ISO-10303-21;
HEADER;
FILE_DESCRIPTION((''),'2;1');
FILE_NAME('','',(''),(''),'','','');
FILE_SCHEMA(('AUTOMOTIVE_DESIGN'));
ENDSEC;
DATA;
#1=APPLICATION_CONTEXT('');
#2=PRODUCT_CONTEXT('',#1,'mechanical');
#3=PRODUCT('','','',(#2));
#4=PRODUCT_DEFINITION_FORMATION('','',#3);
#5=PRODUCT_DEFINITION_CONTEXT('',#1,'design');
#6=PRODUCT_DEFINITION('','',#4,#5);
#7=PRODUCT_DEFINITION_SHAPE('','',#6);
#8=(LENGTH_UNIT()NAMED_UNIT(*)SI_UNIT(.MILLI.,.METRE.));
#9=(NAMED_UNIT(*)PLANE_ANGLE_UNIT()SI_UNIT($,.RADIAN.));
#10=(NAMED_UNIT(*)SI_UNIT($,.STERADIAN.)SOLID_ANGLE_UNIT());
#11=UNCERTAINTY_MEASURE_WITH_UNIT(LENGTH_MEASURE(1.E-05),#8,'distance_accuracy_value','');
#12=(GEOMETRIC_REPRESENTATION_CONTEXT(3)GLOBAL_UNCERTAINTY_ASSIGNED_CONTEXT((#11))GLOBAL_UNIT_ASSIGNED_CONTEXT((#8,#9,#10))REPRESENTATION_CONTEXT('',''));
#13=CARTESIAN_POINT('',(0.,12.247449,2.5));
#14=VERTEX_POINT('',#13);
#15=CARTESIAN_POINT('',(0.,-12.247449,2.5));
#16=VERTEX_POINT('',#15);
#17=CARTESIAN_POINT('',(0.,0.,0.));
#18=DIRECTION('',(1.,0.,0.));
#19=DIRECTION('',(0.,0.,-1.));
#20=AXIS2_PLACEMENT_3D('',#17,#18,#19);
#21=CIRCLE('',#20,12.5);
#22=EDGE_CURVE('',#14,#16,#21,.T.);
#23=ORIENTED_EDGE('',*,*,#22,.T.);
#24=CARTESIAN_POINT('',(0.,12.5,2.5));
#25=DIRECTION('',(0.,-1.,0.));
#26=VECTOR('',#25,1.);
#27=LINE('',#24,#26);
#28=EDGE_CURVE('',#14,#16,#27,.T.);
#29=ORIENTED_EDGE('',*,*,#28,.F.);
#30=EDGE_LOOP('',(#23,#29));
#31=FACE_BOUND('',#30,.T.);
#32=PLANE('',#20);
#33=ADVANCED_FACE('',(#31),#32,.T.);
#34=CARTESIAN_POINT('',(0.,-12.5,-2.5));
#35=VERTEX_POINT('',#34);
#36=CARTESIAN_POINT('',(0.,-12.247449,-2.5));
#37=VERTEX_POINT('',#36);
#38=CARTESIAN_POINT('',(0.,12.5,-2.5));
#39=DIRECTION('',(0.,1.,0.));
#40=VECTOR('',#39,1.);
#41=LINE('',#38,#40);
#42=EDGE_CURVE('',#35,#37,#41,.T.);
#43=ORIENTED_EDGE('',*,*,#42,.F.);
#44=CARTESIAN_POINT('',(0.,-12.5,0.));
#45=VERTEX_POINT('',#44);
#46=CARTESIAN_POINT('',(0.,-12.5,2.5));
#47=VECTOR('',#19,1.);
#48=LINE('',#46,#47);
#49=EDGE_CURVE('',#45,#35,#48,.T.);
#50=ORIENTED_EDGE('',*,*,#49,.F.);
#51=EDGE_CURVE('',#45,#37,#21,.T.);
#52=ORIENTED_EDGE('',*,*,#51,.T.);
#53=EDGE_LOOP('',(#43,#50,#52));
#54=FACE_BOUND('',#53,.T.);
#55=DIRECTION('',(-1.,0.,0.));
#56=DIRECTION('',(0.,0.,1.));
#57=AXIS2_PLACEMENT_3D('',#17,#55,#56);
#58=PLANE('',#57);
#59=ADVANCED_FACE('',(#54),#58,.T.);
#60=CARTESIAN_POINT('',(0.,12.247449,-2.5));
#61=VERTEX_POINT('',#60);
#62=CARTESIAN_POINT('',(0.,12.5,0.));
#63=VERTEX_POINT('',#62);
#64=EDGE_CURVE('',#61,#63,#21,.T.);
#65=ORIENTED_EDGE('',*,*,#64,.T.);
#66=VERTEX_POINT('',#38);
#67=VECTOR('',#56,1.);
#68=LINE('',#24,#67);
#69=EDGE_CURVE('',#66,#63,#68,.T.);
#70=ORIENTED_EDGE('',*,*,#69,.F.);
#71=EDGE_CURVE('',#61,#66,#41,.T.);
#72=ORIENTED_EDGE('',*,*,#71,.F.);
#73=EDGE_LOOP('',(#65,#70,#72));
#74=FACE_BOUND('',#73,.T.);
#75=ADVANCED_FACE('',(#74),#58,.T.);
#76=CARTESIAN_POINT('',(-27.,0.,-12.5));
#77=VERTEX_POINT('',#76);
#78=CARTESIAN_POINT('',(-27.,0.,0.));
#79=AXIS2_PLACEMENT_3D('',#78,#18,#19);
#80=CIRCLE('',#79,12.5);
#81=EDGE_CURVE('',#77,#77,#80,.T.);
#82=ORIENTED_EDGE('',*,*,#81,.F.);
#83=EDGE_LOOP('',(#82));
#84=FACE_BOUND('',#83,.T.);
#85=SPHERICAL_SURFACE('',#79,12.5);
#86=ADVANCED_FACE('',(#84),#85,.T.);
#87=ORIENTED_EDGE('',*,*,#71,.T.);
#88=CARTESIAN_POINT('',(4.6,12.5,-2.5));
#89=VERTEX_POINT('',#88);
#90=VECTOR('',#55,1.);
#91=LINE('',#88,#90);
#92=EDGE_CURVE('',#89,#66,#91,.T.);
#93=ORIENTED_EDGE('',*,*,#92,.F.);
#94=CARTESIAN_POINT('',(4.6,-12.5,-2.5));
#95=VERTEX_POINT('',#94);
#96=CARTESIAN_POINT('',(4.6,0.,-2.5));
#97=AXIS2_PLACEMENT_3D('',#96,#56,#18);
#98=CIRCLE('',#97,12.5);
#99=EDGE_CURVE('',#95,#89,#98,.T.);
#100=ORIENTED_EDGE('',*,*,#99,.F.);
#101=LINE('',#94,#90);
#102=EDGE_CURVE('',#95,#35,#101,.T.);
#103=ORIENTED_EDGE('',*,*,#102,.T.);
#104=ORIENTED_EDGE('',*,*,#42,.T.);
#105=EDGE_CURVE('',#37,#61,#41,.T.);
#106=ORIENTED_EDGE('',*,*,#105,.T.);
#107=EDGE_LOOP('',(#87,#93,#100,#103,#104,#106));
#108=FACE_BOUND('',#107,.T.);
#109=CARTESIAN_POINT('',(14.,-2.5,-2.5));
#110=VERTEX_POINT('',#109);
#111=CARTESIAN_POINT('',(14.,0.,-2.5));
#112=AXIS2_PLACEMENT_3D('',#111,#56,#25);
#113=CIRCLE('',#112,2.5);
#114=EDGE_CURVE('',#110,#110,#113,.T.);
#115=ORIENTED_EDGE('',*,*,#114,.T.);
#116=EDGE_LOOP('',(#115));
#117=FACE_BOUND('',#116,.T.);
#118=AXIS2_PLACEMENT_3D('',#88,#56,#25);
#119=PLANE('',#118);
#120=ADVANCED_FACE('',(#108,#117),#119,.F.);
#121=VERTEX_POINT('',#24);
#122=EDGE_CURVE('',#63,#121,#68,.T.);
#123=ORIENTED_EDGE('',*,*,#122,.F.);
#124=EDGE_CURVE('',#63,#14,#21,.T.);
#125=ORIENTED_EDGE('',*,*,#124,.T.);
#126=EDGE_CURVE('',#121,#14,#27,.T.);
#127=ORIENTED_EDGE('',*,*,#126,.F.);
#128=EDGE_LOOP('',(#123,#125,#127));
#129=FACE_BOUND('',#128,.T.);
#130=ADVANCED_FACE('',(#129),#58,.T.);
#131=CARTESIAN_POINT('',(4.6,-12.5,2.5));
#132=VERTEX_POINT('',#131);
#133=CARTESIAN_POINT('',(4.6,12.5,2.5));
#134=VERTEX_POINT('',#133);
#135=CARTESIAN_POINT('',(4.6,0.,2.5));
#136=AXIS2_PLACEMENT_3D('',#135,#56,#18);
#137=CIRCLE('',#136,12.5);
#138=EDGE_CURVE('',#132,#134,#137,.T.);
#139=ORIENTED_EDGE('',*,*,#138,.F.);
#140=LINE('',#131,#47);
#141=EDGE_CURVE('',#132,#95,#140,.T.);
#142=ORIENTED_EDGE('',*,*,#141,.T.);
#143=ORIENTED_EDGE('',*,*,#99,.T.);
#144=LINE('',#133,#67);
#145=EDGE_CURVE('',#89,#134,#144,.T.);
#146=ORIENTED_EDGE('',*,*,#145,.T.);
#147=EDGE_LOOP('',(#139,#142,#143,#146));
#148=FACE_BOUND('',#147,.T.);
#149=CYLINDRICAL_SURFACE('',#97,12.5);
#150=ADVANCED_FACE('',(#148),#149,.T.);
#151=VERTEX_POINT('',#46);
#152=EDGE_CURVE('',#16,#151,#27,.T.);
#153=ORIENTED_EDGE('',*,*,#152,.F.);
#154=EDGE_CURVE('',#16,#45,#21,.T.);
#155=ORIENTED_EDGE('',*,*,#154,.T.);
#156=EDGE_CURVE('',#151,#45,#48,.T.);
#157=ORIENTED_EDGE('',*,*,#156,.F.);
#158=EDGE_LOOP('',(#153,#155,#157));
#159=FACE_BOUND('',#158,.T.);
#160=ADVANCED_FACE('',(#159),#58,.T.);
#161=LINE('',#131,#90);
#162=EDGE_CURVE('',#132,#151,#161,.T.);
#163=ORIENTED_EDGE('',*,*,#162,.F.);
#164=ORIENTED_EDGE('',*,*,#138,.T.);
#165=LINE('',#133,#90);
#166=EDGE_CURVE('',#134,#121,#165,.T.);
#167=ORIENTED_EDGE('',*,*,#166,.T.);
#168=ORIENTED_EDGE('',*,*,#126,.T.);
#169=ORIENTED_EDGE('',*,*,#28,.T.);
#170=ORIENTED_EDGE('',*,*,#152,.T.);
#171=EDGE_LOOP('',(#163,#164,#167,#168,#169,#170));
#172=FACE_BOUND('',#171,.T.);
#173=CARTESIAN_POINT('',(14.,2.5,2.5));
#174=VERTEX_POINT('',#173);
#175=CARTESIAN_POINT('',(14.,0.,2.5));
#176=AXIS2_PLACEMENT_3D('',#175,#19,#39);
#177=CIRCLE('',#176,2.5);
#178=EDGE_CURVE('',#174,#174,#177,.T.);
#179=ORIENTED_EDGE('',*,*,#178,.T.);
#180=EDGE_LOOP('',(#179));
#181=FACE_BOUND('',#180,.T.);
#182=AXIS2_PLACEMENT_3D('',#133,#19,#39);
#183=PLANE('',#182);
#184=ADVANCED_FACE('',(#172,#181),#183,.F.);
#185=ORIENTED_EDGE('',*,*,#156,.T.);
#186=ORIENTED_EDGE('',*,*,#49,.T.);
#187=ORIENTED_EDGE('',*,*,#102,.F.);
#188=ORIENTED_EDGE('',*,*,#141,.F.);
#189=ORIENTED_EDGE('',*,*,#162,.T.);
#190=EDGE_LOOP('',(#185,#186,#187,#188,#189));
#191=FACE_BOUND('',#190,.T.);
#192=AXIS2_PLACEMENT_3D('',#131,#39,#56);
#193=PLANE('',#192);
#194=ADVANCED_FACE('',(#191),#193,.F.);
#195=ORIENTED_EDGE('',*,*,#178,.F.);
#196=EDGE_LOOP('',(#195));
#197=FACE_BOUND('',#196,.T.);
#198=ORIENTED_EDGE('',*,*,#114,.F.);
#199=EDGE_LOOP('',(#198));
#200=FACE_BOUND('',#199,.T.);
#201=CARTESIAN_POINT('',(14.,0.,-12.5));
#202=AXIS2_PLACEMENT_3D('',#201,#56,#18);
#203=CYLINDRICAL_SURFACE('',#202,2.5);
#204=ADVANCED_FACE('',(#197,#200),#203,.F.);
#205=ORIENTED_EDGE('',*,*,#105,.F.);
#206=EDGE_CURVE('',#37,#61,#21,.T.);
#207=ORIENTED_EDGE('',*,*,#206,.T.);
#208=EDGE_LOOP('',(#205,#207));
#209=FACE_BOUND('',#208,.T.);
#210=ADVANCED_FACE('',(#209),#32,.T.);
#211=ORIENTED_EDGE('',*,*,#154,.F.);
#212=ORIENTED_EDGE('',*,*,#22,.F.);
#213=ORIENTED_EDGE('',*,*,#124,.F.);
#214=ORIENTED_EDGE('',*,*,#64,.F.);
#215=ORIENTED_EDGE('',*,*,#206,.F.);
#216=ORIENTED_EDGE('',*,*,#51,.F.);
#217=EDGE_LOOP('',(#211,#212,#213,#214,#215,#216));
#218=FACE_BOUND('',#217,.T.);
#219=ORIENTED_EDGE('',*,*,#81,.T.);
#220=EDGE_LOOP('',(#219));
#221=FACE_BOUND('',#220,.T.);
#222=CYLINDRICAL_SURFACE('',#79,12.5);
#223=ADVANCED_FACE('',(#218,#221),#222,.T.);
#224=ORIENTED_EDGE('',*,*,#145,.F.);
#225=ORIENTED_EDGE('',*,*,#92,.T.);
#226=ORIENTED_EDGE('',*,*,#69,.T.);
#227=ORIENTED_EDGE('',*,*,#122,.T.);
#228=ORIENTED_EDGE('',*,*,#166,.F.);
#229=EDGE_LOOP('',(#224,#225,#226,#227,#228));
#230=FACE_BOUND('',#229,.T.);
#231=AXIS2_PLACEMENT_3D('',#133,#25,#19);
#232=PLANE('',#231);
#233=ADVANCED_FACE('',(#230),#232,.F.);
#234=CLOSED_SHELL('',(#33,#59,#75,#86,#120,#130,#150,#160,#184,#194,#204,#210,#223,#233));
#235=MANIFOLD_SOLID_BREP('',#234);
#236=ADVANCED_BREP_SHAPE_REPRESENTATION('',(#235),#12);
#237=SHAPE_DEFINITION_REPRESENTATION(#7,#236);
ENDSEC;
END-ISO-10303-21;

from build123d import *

# Parameters (mm, degrees)
SKETCH1_R               = 12.5
BOSS_EXTRUDE1_DEPTH     = 27
SKETCH6_W               = 5
SKETCH6_H               = 25
BOSS_EXTRUDE3_DEPTH     = 4.6
BOSS_EXTRUDE4_DEPTH     = 5
CUT_EXTRUDE1_DEPTH      = 34.320414163
CUT_EXTRUDE1_DEPTH_BACK = 34.320414163
SKETCH10_R              = 2.5
REVOLVE1_ANGLE          = 180


with BuildPart() as part:
    # Sketch1 → Boss-Extrude1 (new body)
    with BuildSketch(Plane(origin=(0, 0, 0), x_dir=(0, 0, -1), z_dir=(1, 0, 0))):
        Circle(SKETCH1_R)
    extrude(amount=-BOSS_EXTRUDE1_DEPTH)

    # Sketch6 → Boss-Extrude3 (add)
    with BuildSketch(Plane(origin=(0, 0, 0), x_dir=(0, 0, -1), z_dir=(1, 0, 0))):
        Rectangle(SKETCH6_W, SKETCH6_H)
    extrude(amount=BOSS_EXTRUDE3_DEPTH)

    # Sketch8 → Boss-Extrude4 (add)
    with BuildSketch(Plane.XY.offset(2.5)):
        with BuildLine():
            Line((4.6, 12.5), (4.6, -12.5))
            ThreePointArc((4.6, -12.5), (17.1, 0), (4.6, 12.5))
        make_face()
    extrude(amount=-BOSS_EXTRUDE4_DEPTH)

    # Sketch10 → Cut-Extrude1 (cut, two sides: drawn at the far end of the back side and taken through both)
    with BuildSketch(Plane.XY.offset(2.5).offset(-CUT_EXTRUDE1_DEPTH_BACK)):
        with Locations(Location((14, 0, 0), (0, 0, 270))):
            Circle(SKETCH10_R)
    extrude(amount=CUT_EXTRUDE1_DEPTH + CUT_EXTRUDE1_DEPTH_BACK, mode=Mode.SUBTRACT)

    # Sketch11 → Revolve1 (revolve)
    with BuildSketch(Plane.ZY.offset(27)):
        with BuildLine():
            Line((0, 12.5), (0, -12.5))
            ThreePointArc((0, -12.5), (12.5, 0), (0, 12.5))
        make_face()
    revolve(axis=Axis((-27, 12.5, 0), (0, -1, 0)), revolution_arc=REVOLVE1_ANGLE)


solid = part.part
